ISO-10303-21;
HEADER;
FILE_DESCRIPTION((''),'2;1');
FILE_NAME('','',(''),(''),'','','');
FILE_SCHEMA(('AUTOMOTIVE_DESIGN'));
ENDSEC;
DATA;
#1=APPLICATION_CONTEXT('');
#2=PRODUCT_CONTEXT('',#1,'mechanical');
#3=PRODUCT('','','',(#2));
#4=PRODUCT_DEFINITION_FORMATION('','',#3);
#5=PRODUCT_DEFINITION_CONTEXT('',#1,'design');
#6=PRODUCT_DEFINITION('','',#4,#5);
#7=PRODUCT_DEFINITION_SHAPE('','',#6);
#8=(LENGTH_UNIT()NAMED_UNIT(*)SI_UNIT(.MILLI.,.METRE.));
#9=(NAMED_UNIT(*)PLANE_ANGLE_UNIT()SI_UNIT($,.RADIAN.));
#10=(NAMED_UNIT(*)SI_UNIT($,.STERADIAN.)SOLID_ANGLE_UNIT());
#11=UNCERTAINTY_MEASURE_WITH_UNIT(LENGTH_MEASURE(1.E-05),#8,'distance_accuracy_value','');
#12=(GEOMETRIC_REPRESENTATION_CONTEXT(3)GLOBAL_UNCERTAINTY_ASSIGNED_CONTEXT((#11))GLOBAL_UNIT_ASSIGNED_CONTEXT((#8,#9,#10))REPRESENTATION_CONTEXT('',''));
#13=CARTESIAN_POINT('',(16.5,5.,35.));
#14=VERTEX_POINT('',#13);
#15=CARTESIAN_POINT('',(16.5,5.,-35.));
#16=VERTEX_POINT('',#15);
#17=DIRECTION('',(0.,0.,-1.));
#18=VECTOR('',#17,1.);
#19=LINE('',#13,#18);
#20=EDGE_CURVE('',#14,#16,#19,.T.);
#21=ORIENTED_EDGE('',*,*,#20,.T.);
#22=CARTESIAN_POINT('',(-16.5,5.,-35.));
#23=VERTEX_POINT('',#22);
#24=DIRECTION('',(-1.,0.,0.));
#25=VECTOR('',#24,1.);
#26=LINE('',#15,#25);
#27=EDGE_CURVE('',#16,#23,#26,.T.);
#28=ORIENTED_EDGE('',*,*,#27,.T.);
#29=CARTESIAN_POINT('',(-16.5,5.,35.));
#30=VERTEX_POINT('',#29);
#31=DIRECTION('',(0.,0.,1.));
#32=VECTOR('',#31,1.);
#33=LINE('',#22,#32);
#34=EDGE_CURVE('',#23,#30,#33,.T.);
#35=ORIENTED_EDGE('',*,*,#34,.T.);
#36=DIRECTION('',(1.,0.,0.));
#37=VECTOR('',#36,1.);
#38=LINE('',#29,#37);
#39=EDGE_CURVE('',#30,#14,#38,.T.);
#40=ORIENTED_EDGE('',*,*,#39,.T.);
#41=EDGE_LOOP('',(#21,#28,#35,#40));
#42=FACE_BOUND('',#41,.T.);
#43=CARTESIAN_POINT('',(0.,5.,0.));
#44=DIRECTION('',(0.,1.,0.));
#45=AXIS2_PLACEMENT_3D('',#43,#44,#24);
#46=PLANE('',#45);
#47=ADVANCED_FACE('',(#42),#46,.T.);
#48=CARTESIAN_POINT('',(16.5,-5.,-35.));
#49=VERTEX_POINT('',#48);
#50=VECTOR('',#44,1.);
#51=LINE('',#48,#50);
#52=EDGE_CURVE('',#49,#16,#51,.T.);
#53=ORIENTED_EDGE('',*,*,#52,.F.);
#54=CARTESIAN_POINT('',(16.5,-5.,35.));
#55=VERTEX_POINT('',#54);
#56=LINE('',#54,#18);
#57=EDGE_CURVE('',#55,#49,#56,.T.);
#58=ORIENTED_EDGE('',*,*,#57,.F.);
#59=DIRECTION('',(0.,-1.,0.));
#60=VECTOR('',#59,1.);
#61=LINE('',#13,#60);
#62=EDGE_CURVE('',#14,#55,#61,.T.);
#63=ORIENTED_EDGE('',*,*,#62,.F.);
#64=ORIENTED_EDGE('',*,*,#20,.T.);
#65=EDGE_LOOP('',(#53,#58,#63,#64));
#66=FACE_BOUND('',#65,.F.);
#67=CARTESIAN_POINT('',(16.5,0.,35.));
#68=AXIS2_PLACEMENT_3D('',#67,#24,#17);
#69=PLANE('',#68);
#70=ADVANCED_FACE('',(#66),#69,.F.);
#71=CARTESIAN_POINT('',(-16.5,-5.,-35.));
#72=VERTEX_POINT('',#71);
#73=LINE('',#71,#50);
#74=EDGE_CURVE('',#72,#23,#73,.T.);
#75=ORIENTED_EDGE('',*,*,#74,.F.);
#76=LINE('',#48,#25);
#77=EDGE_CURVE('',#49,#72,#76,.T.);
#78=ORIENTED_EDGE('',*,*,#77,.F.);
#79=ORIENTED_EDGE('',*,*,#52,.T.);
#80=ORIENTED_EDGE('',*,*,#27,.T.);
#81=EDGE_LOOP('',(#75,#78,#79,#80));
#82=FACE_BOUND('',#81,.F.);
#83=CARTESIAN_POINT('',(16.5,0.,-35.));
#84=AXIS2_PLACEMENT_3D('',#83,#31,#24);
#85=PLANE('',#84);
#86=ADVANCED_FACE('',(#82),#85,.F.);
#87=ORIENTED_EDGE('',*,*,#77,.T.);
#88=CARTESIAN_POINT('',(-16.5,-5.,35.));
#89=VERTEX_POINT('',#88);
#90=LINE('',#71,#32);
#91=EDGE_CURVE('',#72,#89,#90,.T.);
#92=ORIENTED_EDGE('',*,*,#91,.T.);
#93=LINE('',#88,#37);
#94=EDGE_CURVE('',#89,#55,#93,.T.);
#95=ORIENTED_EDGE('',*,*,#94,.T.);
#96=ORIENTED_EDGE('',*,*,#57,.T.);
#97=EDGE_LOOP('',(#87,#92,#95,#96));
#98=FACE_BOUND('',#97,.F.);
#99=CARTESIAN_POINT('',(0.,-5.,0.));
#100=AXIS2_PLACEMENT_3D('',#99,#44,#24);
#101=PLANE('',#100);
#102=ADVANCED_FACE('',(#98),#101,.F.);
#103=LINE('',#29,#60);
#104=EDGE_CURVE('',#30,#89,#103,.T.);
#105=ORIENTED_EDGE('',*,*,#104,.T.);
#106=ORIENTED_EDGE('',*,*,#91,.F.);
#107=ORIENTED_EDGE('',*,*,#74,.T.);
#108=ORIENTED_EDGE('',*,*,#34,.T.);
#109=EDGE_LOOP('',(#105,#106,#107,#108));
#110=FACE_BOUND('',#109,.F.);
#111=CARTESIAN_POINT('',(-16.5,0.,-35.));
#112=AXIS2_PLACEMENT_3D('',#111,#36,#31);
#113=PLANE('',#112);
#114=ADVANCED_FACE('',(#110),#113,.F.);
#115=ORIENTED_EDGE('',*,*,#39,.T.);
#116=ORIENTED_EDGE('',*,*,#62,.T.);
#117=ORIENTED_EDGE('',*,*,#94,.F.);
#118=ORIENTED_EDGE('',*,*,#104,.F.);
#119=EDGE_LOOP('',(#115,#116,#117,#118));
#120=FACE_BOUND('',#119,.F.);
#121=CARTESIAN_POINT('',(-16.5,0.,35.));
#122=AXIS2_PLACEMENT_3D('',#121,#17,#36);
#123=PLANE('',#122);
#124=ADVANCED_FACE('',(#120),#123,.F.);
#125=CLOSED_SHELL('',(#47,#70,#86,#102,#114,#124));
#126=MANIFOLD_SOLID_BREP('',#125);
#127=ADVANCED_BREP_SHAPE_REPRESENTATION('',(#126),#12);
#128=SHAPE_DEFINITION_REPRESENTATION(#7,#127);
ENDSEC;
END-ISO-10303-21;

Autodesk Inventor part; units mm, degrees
ref_plane "YZ Plane" through (0, 0, 0) normal (1, 0, 0) x (0, 1, 0)
ref_plane "XZ Plane" through (0, 0, 0) normal (0, 1, 0) x (-1, 0, 0)
ref_plane "XY Plane" through (0, 0, 0) normal (0, 0, 1) x (1, 0, 0)
sketch "Sketch1" plane through (0, 0, 0) normal (0, 1, 0) x (-1, 0, 0)
  line L0 (-16.5, -35) -> (16.5, -35)
  line L1 (16.5, -35) -> (16.5, 35)
  line L2 (16.5, 35) -> (-16.5, 35)
  line L3 (-16.5, 35) -> (-16.5, -35)
  line L4 (-16.5, -35) -> (16.5, 35) construction
  line L5 (16.5, -35) -> (-16.5, 35) construction
  point P0 (0, 0)
  dimension "d0" = 70
  dimension "d1" = 33
extrude "Extrusion1" add sketch "Sketch1" along normal mid plane 10
properties part number "bms"
